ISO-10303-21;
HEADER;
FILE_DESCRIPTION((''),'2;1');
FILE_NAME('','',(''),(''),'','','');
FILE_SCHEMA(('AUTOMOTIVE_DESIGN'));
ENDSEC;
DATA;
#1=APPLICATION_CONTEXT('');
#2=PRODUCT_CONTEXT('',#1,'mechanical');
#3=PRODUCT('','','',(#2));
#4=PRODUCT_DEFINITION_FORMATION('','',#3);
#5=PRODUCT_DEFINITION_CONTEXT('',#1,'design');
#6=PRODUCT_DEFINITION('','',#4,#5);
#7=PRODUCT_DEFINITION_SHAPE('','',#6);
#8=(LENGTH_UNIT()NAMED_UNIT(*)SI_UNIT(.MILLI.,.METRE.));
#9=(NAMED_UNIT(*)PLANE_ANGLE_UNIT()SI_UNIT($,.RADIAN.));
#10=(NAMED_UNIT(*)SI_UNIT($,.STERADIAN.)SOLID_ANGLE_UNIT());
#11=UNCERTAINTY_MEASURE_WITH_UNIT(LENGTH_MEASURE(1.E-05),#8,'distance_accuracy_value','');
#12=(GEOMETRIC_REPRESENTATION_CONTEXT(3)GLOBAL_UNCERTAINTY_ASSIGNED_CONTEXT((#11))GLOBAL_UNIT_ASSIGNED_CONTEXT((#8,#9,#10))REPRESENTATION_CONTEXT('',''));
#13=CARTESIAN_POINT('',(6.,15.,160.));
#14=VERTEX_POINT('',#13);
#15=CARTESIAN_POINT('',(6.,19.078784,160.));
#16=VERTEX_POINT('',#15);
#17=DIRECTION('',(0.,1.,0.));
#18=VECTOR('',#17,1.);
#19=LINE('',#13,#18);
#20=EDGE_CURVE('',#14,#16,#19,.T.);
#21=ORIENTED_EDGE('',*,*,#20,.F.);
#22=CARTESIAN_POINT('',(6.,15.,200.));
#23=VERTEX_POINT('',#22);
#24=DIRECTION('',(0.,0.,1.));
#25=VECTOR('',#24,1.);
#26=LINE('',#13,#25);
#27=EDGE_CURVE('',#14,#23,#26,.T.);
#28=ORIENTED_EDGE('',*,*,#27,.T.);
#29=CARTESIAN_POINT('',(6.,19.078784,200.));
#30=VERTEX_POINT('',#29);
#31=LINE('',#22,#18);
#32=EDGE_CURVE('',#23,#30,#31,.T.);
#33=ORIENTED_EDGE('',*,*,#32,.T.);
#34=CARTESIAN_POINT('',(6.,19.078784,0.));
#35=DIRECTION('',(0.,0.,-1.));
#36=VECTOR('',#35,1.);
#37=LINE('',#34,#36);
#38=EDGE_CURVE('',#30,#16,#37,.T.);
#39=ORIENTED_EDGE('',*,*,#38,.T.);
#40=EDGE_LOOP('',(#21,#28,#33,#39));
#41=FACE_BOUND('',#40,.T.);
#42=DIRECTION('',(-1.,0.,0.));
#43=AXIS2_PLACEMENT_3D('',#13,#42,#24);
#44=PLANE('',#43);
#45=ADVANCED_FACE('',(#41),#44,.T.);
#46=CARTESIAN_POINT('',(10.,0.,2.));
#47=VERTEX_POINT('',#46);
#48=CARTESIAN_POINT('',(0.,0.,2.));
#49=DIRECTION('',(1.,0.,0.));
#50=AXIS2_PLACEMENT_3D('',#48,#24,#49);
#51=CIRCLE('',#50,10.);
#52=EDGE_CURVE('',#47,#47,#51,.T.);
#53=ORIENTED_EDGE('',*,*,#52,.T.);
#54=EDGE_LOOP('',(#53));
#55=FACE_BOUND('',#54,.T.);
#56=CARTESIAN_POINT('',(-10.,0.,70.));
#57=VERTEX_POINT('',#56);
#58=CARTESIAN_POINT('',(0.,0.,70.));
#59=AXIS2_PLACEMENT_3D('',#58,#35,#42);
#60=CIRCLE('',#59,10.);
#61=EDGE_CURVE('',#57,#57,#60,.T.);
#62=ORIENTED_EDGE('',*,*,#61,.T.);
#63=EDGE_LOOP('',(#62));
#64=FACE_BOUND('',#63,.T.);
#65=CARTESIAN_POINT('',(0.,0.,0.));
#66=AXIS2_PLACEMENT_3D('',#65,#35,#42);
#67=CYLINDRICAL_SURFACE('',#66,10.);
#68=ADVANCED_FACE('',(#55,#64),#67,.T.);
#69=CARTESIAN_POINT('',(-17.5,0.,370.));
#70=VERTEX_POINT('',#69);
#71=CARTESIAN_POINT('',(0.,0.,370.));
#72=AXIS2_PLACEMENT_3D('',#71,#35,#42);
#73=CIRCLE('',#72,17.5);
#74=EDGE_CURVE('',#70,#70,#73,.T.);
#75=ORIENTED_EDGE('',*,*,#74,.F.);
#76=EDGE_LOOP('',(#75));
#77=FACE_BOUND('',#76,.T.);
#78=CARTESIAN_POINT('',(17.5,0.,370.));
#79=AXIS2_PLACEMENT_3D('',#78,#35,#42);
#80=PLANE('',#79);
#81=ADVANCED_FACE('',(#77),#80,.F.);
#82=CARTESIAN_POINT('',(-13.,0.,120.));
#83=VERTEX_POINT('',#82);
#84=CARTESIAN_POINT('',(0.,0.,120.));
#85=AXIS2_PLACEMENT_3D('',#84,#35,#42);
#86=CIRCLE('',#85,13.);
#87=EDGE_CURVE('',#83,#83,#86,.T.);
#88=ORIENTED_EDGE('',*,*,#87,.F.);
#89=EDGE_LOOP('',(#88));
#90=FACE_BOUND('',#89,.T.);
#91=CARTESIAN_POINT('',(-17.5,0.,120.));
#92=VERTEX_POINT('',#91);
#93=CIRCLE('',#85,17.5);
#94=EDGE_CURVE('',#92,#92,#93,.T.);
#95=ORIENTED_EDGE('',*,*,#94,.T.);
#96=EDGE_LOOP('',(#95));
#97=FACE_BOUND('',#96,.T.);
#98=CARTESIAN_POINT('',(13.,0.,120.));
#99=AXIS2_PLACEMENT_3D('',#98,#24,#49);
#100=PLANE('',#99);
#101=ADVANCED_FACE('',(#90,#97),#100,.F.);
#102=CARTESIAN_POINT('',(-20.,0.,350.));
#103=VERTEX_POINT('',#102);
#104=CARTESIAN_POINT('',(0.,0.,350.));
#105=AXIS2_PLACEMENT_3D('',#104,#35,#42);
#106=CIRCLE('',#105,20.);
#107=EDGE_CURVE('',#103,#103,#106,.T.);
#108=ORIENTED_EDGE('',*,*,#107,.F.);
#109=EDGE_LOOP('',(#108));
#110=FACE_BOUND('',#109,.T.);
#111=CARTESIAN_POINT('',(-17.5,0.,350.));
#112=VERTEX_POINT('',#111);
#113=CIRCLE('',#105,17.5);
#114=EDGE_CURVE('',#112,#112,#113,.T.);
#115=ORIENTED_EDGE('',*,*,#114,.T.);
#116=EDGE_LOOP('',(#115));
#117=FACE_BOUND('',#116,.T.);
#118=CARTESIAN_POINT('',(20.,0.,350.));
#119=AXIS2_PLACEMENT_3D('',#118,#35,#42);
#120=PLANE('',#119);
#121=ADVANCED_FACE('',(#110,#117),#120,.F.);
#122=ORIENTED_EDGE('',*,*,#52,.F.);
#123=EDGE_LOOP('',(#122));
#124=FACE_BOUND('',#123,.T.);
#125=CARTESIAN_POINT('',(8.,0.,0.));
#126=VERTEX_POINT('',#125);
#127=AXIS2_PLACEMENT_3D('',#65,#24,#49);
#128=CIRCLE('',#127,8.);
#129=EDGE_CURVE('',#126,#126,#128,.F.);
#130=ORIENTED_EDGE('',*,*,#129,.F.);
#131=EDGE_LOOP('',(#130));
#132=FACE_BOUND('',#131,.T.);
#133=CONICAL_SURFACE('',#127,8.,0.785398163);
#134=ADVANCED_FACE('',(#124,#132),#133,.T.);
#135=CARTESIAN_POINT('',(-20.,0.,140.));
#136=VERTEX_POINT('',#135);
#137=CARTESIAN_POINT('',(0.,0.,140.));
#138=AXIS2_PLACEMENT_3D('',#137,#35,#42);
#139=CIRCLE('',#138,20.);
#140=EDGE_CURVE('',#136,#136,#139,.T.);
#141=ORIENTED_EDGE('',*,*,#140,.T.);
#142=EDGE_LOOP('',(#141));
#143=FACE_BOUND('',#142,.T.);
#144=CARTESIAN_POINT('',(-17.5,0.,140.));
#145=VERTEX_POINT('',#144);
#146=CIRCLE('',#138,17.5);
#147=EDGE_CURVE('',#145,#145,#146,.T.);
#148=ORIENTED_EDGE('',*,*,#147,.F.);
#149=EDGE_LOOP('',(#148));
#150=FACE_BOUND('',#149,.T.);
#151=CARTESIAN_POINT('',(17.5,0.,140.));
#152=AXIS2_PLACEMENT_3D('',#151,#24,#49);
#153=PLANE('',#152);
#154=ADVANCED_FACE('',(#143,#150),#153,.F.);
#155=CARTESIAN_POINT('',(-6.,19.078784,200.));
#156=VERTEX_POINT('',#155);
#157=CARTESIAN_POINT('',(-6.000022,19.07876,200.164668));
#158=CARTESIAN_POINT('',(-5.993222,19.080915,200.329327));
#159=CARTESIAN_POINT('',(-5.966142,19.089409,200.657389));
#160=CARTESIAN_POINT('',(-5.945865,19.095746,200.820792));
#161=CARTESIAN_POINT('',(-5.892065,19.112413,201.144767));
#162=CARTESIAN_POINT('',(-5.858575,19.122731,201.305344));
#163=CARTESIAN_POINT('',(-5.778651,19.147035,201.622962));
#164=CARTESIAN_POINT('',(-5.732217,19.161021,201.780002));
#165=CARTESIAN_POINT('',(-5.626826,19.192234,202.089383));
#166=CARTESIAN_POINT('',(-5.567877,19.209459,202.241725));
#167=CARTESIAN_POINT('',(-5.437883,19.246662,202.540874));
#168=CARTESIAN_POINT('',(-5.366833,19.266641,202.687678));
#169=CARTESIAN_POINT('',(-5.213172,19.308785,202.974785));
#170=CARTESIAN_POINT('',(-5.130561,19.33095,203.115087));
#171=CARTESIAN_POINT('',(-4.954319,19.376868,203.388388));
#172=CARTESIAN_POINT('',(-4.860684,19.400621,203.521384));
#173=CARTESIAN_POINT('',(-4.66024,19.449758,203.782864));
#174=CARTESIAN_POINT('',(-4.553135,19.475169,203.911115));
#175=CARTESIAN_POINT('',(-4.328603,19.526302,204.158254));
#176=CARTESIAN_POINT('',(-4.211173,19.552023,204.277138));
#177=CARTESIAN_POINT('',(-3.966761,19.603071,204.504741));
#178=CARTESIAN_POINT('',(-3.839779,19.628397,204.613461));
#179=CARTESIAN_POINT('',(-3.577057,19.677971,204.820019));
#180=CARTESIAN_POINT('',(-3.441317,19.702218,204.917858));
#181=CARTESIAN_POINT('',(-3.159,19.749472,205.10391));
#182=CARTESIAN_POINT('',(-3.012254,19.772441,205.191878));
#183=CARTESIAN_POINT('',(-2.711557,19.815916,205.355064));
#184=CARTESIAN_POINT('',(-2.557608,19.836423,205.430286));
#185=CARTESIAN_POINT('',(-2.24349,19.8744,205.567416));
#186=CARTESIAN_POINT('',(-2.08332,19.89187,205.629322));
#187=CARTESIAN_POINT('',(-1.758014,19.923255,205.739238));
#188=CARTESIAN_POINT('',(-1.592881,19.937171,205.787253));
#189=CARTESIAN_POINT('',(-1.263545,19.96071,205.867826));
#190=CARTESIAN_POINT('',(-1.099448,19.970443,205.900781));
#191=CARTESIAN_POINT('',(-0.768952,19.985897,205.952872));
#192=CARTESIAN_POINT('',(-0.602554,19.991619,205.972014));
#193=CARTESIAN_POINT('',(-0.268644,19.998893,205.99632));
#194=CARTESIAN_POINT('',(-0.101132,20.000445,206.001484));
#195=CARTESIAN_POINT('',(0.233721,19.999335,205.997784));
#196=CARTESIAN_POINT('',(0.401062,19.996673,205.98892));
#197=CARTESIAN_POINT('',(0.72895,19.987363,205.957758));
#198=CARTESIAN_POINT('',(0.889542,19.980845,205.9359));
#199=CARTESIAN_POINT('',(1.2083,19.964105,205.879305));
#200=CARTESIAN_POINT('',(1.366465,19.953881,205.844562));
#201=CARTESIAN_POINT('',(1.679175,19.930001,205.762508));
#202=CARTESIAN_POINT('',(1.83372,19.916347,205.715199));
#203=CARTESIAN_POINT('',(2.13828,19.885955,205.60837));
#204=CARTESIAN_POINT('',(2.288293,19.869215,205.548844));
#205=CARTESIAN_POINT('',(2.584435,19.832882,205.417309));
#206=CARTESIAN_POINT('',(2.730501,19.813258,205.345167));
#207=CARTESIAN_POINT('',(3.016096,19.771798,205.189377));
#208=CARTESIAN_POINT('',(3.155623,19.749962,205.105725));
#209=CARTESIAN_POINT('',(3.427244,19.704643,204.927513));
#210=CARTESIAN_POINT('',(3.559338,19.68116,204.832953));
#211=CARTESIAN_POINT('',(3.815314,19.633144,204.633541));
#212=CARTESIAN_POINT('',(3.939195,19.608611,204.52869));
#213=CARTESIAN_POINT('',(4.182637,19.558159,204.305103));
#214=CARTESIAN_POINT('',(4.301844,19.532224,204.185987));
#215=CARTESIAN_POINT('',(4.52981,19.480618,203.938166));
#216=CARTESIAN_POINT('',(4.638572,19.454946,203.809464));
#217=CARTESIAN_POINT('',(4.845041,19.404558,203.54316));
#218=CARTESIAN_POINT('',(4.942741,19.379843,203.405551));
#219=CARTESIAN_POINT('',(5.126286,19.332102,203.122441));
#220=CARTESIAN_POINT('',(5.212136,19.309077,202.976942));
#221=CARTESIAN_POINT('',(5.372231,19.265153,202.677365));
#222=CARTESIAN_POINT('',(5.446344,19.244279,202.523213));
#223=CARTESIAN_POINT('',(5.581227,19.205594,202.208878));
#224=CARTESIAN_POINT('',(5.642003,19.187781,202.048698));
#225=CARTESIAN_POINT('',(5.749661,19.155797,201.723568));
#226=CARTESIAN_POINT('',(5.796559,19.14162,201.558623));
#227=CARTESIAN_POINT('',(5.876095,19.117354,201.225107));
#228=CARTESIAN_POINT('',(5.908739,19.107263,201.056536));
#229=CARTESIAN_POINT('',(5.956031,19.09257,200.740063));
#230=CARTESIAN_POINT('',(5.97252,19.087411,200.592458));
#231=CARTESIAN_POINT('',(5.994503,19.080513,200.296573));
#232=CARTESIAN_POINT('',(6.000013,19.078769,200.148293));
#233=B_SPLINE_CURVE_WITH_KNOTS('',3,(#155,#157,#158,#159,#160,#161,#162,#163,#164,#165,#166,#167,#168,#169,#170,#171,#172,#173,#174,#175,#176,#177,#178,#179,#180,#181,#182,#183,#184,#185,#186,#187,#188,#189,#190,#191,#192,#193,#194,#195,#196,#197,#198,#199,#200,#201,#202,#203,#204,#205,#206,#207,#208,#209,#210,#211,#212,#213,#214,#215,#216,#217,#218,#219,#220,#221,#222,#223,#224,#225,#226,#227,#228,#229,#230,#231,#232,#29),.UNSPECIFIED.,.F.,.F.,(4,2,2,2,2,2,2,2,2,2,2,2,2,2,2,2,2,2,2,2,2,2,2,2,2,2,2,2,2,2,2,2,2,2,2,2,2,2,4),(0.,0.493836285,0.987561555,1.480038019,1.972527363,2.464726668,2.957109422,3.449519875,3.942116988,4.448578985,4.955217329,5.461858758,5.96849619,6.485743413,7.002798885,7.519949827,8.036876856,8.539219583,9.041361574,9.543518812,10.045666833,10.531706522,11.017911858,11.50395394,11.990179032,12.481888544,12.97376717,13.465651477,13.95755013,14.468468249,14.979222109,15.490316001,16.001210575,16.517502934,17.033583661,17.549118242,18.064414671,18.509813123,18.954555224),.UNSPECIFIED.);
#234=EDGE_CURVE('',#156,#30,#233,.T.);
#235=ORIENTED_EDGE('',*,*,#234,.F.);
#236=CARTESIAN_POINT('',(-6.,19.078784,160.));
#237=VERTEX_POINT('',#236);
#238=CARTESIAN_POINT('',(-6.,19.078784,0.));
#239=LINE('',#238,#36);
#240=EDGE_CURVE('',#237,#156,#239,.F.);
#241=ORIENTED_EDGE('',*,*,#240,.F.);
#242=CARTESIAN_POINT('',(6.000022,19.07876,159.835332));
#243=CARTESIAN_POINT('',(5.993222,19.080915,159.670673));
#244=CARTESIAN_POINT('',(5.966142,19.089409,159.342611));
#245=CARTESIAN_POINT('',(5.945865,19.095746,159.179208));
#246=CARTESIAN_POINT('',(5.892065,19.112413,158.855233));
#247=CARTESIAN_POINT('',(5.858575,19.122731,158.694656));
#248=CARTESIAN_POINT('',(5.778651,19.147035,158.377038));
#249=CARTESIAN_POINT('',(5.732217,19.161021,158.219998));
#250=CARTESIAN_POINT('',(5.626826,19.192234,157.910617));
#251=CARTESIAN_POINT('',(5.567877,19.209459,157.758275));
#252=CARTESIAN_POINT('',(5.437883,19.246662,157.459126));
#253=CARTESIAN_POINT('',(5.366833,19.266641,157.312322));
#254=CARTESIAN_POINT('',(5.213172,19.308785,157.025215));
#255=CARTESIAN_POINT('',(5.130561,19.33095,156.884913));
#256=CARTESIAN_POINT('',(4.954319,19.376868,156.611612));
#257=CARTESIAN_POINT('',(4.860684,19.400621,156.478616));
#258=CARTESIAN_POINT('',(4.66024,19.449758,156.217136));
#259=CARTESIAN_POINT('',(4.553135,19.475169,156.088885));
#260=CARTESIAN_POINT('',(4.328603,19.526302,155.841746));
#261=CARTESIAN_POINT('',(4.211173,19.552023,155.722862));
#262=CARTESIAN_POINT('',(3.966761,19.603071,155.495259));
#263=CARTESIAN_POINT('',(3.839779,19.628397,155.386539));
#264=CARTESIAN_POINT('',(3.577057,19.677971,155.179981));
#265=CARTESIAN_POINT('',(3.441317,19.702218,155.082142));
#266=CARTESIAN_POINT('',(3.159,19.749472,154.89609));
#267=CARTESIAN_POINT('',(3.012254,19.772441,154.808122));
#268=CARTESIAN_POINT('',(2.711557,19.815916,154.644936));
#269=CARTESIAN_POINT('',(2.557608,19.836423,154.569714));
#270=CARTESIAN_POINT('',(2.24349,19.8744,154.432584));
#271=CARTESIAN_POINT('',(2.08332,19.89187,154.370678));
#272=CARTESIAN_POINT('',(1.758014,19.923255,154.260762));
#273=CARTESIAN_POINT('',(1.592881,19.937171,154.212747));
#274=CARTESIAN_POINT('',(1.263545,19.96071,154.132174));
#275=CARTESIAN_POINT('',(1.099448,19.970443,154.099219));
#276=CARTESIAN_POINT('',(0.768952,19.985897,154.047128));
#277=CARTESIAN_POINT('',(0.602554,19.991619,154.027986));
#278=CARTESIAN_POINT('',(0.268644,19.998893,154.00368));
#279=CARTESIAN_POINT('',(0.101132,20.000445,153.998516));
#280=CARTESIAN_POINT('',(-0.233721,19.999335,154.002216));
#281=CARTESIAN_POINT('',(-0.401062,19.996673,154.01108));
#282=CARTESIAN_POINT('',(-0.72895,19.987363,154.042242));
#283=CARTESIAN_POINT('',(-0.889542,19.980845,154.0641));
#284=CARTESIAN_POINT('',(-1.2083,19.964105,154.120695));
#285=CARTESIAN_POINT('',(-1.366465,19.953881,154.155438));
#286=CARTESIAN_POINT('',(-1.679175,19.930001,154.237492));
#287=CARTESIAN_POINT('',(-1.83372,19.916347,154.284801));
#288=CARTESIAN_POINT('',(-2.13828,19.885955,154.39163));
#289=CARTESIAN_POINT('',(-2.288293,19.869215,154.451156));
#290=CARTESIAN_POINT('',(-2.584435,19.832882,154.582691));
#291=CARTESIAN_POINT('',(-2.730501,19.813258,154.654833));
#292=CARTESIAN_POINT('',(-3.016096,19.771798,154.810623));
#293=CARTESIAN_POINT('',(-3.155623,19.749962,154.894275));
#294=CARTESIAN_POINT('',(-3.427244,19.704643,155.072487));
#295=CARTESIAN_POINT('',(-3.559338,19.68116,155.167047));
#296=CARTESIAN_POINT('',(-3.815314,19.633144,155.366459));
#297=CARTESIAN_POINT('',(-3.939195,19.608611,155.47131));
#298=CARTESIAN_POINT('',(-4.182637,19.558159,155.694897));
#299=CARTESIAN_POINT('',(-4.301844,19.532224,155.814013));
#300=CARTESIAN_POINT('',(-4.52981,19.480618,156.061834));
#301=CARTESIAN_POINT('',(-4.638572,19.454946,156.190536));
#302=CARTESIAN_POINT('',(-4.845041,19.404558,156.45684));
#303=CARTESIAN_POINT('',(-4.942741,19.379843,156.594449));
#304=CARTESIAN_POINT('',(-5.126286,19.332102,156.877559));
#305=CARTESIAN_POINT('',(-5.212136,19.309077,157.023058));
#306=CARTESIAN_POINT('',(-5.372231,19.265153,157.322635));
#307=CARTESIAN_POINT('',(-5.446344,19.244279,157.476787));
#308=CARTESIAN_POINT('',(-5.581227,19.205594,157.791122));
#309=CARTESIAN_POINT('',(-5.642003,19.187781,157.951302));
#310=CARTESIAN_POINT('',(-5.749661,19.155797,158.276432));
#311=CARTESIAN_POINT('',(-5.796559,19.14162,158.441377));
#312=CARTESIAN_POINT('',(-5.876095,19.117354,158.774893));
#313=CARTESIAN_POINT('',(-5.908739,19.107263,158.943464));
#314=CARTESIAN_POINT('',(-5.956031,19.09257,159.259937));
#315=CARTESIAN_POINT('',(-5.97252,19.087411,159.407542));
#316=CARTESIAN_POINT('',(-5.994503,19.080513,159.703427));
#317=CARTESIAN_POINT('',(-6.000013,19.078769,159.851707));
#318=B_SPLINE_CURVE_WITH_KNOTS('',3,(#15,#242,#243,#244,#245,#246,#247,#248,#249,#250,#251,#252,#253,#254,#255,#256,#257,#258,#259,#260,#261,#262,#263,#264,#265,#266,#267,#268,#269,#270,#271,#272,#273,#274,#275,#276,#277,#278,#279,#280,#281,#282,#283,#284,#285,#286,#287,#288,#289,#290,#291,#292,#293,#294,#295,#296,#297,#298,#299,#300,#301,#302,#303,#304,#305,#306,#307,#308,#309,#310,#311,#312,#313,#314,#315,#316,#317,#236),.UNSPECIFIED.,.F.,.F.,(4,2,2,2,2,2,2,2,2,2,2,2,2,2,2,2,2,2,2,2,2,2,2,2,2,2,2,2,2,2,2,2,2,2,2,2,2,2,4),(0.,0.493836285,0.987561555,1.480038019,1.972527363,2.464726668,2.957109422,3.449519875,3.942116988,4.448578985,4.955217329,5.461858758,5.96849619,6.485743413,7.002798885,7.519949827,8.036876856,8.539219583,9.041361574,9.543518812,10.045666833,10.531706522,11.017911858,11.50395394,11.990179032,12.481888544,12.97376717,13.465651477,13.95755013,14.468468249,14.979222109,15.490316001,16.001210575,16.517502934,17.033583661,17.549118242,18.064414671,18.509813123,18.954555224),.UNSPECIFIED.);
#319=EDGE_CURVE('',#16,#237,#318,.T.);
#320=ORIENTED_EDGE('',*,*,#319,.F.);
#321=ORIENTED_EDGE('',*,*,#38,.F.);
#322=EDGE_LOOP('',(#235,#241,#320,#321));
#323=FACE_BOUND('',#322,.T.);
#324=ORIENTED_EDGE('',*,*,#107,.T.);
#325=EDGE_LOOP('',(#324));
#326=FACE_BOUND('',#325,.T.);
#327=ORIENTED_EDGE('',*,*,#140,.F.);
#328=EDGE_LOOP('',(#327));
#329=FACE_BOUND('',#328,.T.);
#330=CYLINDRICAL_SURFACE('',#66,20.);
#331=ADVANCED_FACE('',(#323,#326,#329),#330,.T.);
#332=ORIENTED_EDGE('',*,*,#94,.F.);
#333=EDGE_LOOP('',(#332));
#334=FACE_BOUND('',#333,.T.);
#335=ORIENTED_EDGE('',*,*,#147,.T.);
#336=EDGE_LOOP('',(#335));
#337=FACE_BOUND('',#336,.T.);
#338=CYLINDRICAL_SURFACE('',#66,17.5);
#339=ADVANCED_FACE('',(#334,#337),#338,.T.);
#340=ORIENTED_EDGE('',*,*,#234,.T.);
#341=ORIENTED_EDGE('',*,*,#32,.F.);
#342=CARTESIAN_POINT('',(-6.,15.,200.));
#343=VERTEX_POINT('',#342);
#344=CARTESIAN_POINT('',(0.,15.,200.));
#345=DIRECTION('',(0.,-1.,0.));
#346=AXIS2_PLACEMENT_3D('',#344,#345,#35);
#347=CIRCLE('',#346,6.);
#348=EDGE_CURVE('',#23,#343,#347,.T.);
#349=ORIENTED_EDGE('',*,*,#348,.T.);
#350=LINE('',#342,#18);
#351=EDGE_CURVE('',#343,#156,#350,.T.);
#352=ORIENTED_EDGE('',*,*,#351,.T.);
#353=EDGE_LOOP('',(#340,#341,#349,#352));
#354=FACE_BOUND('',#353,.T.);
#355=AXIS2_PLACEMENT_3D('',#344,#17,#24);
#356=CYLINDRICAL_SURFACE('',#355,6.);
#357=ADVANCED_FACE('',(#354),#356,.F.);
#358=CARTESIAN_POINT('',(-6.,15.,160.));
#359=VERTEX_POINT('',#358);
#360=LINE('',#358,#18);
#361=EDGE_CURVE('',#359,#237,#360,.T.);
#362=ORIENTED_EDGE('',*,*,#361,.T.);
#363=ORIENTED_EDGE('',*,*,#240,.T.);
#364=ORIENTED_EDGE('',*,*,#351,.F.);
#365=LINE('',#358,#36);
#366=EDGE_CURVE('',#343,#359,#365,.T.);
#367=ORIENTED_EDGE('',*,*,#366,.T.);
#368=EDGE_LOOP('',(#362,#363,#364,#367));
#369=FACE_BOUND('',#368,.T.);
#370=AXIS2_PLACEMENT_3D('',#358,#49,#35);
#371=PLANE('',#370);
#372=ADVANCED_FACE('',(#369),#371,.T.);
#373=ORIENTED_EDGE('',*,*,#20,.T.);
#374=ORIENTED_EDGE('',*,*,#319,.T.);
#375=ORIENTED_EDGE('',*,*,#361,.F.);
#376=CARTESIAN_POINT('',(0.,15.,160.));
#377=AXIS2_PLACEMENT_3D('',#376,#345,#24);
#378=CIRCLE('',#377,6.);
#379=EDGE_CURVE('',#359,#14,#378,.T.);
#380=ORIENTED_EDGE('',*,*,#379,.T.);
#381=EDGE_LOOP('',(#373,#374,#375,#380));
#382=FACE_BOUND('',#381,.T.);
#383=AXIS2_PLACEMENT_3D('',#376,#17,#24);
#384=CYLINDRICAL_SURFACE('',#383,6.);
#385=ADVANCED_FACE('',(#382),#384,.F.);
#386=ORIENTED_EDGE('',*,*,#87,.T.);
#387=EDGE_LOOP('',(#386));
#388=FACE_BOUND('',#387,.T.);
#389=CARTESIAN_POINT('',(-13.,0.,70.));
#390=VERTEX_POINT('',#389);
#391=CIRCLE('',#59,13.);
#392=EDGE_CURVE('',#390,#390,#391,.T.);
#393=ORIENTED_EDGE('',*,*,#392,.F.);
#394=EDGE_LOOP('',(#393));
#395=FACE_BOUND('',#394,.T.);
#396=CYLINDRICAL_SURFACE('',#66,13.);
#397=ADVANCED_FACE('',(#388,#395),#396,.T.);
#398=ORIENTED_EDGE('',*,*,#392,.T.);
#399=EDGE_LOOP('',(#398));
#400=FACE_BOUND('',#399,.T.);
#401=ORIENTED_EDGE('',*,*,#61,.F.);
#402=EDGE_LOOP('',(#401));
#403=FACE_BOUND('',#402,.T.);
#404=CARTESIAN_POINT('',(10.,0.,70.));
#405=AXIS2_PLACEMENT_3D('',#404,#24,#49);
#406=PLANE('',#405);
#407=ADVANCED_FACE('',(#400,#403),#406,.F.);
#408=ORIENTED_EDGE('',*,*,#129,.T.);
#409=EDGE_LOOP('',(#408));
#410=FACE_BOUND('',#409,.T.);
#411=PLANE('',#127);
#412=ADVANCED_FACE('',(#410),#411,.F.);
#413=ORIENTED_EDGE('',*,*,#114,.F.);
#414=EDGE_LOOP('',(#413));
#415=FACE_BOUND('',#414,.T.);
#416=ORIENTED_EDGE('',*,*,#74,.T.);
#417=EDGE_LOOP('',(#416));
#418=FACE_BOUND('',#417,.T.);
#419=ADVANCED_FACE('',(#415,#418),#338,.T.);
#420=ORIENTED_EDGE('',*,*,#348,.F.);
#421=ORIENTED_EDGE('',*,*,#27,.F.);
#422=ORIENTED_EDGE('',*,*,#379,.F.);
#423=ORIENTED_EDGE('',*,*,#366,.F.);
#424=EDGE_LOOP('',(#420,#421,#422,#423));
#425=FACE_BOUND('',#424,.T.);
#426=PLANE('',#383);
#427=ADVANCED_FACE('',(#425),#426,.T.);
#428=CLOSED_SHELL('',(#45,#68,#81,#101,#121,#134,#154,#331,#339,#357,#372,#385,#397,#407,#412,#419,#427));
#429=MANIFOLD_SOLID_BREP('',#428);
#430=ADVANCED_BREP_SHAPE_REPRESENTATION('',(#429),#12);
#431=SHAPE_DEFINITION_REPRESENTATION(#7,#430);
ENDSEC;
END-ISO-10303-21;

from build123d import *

# Parameters (mm, degrees)
CUT_EXTRUDE1_DEPTH = 5
CHAMFER1_SIZE      = 2


with BuildPart() as part:
    # Sketch1 → Revolve1 (revolve)
    with BuildSketch(Plane(origin=(0, 0, 0), x_dir=(1, 0, 0), z_dir=(0, 1, 0)), mode=Mode.PRIVATE) as revolve1_sk:
        Polygon((0, 0), (0, -370), (17.5, -370), (17.5, -350), (20, -350), (20, -140), (17.5, -140), (17.5, -120), (13, -120), (13, -70), (10, -70), (10, 0), align=None)
    revolve(revolve1_sk.sketch.rotate(Axis((0, 0, 0), (0, 0, 1)), 180), axis=Axis((0, 0, 0), (0, 0, 1)))

    # Sketch3 → Cut-Extrude1 (cut)
    with BuildSketch(Plane(origin=(-7.563219115, 20, 140), x_dir=(0, 0, -1), z_dir=(0, -1, 0))):
        with BuildLine():
            Line((-20, 13.563219115), (-60, 13.563219115))
            ThreePointArc((-60, 13.563219115), (-66, 7.563219115), (-60, 1.563219115))
            Line((-60, 1.563219115), (-20, 1.563219115))
            ThreePointArc((-20, 1.563219115), (-14, 7.563219115), (-20, 13.563219115))
        make_face()
    extrude(amount=CUT_EXTRUDE1_DEPTH, mode=Mode.SUBTRACT)

    # Chamfer1
    chamfer1_edges = [part.edges().sort_by_distance(p)[0] for p in [
        (10, 0, 0),
    ]]
    chamfer(chamfer1_edges, length=CHAMFER1_SIZE)


solid = part.part
